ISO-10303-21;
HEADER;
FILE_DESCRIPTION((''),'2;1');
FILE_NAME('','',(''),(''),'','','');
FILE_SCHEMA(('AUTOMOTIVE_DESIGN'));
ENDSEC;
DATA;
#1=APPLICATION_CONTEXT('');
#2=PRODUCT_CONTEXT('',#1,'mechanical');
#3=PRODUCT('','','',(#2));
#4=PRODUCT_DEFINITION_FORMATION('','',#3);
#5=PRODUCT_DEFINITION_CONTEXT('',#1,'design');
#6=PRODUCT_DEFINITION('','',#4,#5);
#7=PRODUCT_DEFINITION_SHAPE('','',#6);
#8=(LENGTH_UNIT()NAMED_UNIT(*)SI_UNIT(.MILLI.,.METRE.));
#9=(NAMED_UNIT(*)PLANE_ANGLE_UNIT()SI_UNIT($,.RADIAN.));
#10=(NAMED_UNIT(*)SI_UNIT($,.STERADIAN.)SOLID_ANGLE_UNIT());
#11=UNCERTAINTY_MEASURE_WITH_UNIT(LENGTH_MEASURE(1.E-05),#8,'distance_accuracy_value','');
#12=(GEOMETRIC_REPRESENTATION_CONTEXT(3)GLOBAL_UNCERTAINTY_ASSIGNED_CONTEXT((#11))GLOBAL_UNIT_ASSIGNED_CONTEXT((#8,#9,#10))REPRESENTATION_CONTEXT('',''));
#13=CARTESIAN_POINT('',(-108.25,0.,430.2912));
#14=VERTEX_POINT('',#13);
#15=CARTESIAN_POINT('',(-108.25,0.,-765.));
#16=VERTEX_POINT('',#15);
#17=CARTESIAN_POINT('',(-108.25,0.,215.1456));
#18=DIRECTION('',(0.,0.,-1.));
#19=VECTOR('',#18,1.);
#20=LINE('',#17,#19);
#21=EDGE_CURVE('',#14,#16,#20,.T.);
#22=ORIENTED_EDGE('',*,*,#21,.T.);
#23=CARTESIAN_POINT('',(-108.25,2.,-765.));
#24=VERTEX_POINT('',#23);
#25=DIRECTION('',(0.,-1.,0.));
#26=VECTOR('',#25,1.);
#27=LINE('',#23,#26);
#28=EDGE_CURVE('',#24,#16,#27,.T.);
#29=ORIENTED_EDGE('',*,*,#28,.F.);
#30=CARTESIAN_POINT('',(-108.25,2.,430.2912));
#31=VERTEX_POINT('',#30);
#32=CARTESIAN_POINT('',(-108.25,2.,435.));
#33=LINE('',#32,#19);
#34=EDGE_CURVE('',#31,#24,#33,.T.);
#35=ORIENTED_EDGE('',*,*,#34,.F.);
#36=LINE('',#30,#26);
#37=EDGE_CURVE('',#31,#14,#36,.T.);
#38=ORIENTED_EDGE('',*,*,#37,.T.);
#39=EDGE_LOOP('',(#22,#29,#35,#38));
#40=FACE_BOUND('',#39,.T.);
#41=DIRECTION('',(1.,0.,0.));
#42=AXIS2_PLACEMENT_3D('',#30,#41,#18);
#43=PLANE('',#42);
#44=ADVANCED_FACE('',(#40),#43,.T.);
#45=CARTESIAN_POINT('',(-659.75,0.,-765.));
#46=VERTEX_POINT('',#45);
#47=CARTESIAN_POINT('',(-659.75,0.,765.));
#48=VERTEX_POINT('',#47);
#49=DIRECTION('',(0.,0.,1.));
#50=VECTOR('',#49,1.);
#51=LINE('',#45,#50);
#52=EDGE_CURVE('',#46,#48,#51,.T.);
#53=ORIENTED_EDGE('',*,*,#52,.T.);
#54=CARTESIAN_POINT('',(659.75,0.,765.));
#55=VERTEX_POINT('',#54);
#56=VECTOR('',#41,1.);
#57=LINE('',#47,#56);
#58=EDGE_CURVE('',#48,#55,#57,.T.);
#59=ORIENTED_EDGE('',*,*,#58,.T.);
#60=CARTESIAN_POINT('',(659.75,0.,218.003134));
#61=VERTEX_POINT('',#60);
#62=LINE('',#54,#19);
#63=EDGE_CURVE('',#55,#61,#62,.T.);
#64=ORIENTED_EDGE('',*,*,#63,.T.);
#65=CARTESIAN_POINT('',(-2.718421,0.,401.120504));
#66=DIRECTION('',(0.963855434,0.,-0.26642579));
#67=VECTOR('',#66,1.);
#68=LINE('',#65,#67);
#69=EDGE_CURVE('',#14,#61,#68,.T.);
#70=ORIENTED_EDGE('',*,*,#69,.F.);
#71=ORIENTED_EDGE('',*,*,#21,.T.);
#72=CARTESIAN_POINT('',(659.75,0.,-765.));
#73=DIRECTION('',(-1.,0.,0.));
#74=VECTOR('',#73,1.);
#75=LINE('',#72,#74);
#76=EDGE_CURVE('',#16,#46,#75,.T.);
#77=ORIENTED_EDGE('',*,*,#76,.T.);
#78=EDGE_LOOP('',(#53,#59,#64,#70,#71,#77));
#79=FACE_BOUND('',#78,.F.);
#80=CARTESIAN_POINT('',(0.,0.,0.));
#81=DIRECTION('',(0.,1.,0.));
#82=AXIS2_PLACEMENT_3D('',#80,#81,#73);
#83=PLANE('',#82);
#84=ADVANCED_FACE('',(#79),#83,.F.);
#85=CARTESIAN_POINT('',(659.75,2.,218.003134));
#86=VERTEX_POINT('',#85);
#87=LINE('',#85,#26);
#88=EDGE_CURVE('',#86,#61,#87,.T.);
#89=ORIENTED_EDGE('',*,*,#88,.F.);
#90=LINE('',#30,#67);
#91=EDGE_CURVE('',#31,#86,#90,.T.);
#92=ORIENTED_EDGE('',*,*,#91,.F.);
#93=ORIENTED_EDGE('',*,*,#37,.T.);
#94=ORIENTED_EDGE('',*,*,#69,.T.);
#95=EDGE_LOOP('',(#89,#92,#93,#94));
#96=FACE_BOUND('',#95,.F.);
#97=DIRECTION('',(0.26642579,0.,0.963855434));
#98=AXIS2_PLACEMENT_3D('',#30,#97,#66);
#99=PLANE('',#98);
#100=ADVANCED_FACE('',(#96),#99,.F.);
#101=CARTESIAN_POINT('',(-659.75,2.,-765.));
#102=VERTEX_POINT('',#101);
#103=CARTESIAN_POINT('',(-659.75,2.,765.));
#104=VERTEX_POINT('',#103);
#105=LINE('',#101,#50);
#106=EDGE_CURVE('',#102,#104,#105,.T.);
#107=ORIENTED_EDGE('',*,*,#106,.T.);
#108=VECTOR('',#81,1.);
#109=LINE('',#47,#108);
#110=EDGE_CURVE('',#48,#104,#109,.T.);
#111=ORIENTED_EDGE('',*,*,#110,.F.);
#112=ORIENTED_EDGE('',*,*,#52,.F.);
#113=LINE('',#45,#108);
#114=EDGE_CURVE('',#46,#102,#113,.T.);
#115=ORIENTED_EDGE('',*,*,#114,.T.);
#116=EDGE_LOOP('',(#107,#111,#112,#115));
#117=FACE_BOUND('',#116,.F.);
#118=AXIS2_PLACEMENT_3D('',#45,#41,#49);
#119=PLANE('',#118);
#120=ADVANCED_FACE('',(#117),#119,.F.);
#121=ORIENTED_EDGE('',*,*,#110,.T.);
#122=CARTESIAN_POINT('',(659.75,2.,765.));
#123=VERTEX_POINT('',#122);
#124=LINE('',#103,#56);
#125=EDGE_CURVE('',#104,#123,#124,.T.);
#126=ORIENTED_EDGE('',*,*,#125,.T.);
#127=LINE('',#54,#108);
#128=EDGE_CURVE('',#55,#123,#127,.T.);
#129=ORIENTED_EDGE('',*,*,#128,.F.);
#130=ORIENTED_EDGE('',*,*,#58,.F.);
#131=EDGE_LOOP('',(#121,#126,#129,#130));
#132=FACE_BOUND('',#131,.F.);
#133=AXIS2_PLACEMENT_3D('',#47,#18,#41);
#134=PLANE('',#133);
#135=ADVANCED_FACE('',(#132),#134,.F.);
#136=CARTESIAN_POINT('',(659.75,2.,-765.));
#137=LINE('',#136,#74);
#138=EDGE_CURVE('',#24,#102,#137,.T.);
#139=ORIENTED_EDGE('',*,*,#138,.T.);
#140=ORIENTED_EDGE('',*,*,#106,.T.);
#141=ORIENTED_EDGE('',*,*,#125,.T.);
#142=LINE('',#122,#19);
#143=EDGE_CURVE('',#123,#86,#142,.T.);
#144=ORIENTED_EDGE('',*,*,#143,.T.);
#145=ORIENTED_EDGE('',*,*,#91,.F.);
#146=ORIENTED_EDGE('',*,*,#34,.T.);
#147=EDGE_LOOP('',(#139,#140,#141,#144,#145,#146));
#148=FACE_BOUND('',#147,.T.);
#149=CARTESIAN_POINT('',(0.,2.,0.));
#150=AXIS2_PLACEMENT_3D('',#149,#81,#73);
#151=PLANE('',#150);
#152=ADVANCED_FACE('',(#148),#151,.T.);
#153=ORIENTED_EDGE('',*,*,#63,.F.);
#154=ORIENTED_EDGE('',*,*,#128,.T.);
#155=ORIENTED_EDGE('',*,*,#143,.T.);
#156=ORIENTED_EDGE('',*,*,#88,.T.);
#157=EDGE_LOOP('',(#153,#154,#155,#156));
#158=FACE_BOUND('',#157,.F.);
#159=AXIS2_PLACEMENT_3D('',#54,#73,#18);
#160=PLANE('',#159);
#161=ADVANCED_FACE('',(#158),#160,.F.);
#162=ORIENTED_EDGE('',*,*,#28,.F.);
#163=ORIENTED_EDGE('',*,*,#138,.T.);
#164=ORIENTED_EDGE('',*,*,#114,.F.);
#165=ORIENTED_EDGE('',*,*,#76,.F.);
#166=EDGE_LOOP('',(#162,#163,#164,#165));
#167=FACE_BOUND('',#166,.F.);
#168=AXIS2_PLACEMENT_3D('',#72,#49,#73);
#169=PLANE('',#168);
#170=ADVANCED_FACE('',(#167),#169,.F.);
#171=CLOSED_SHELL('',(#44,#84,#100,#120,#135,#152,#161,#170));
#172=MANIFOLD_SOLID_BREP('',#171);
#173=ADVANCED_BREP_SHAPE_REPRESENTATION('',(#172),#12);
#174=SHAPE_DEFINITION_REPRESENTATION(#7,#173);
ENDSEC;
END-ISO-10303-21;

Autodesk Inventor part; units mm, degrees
ref_plane "YZ Plane" through (0, 0, 0) normal (1, 0, 0) x (0, 1, 0)
ref_plane "XZ Plane" through (0, 0, 0) normal (0, 1, 0) x (-1, 0, 0)
ref_plane "XY Plane" through (0, 0, 0) normal (0, 0, 1) x (1, 0, 0)
sketch "Sketch1" plane through (0, 0, 0) normal (0, 1, 0) x (-1, 0, 0)
  line L0 (659.75, 765) -> (-659.75, 765)
  line L1 (-659.75, 765) -> (-659.75, -765)
  line L2 (-659.75, -765) -> (659.75, -765)
  line L3 (659.75, -765) -> (659.75, 765)
  line L4 (659.75, 765) -> (-659.75, -765) construction
  line L5 (-659.75, 765) -> (659.75, -765) construction
  point P0 (0, 0)
  dimension "d0" = 1319.5
  dimension "d1" = 1530
extrude "Plate1" add sketch "Sketch1" along normal blind 2
sketch "Sketch2" plane through (0, 2, 0) normal (0, 1, 0) x (1, 0, 0)
  line L0 (-108.25, -435) -> (-108.25, 765) projected
  line L1 (-108.25, -430.2912) -> (661.75, -217.4503) projected
  line L2 (659.75, -765) -> (-659.75, -765) projected
  line L3 (659.75, 765) -> (659.75, -765) projected
  line L4 (-659.75, 765) -> (659.75, 765) projected
  line L5 (-659.75, -765) -> (-659.75, 765) projected
  point P0 (0, 0)
  point P1 (659.75, -218.0031)
extrude "Extrusion1" cut sketch "Sketch2" against normal through all contours L0 L4 L3 L1
equation "\"d2\" = Thickness"
equation "\"BendRadius\" = Thickness"
equation "\"BendReliefWidth\" = Thickness"
equation "\"BendReliefDepth\" = 0.5 * Thickness"
equation "\"CornerReliefSize\" = 4 * Thickness"
equation "\"MinimumRemnant\" = 2 * Thickness"
equation "\"TransitionRadius\" = BendRadius"
equation "\"JacobiRadiusSize\" = BendRadius"
equation "\"GapSize\" = Thickness"
equation "\"Thickness\" = 2"
properties part number "Top"
